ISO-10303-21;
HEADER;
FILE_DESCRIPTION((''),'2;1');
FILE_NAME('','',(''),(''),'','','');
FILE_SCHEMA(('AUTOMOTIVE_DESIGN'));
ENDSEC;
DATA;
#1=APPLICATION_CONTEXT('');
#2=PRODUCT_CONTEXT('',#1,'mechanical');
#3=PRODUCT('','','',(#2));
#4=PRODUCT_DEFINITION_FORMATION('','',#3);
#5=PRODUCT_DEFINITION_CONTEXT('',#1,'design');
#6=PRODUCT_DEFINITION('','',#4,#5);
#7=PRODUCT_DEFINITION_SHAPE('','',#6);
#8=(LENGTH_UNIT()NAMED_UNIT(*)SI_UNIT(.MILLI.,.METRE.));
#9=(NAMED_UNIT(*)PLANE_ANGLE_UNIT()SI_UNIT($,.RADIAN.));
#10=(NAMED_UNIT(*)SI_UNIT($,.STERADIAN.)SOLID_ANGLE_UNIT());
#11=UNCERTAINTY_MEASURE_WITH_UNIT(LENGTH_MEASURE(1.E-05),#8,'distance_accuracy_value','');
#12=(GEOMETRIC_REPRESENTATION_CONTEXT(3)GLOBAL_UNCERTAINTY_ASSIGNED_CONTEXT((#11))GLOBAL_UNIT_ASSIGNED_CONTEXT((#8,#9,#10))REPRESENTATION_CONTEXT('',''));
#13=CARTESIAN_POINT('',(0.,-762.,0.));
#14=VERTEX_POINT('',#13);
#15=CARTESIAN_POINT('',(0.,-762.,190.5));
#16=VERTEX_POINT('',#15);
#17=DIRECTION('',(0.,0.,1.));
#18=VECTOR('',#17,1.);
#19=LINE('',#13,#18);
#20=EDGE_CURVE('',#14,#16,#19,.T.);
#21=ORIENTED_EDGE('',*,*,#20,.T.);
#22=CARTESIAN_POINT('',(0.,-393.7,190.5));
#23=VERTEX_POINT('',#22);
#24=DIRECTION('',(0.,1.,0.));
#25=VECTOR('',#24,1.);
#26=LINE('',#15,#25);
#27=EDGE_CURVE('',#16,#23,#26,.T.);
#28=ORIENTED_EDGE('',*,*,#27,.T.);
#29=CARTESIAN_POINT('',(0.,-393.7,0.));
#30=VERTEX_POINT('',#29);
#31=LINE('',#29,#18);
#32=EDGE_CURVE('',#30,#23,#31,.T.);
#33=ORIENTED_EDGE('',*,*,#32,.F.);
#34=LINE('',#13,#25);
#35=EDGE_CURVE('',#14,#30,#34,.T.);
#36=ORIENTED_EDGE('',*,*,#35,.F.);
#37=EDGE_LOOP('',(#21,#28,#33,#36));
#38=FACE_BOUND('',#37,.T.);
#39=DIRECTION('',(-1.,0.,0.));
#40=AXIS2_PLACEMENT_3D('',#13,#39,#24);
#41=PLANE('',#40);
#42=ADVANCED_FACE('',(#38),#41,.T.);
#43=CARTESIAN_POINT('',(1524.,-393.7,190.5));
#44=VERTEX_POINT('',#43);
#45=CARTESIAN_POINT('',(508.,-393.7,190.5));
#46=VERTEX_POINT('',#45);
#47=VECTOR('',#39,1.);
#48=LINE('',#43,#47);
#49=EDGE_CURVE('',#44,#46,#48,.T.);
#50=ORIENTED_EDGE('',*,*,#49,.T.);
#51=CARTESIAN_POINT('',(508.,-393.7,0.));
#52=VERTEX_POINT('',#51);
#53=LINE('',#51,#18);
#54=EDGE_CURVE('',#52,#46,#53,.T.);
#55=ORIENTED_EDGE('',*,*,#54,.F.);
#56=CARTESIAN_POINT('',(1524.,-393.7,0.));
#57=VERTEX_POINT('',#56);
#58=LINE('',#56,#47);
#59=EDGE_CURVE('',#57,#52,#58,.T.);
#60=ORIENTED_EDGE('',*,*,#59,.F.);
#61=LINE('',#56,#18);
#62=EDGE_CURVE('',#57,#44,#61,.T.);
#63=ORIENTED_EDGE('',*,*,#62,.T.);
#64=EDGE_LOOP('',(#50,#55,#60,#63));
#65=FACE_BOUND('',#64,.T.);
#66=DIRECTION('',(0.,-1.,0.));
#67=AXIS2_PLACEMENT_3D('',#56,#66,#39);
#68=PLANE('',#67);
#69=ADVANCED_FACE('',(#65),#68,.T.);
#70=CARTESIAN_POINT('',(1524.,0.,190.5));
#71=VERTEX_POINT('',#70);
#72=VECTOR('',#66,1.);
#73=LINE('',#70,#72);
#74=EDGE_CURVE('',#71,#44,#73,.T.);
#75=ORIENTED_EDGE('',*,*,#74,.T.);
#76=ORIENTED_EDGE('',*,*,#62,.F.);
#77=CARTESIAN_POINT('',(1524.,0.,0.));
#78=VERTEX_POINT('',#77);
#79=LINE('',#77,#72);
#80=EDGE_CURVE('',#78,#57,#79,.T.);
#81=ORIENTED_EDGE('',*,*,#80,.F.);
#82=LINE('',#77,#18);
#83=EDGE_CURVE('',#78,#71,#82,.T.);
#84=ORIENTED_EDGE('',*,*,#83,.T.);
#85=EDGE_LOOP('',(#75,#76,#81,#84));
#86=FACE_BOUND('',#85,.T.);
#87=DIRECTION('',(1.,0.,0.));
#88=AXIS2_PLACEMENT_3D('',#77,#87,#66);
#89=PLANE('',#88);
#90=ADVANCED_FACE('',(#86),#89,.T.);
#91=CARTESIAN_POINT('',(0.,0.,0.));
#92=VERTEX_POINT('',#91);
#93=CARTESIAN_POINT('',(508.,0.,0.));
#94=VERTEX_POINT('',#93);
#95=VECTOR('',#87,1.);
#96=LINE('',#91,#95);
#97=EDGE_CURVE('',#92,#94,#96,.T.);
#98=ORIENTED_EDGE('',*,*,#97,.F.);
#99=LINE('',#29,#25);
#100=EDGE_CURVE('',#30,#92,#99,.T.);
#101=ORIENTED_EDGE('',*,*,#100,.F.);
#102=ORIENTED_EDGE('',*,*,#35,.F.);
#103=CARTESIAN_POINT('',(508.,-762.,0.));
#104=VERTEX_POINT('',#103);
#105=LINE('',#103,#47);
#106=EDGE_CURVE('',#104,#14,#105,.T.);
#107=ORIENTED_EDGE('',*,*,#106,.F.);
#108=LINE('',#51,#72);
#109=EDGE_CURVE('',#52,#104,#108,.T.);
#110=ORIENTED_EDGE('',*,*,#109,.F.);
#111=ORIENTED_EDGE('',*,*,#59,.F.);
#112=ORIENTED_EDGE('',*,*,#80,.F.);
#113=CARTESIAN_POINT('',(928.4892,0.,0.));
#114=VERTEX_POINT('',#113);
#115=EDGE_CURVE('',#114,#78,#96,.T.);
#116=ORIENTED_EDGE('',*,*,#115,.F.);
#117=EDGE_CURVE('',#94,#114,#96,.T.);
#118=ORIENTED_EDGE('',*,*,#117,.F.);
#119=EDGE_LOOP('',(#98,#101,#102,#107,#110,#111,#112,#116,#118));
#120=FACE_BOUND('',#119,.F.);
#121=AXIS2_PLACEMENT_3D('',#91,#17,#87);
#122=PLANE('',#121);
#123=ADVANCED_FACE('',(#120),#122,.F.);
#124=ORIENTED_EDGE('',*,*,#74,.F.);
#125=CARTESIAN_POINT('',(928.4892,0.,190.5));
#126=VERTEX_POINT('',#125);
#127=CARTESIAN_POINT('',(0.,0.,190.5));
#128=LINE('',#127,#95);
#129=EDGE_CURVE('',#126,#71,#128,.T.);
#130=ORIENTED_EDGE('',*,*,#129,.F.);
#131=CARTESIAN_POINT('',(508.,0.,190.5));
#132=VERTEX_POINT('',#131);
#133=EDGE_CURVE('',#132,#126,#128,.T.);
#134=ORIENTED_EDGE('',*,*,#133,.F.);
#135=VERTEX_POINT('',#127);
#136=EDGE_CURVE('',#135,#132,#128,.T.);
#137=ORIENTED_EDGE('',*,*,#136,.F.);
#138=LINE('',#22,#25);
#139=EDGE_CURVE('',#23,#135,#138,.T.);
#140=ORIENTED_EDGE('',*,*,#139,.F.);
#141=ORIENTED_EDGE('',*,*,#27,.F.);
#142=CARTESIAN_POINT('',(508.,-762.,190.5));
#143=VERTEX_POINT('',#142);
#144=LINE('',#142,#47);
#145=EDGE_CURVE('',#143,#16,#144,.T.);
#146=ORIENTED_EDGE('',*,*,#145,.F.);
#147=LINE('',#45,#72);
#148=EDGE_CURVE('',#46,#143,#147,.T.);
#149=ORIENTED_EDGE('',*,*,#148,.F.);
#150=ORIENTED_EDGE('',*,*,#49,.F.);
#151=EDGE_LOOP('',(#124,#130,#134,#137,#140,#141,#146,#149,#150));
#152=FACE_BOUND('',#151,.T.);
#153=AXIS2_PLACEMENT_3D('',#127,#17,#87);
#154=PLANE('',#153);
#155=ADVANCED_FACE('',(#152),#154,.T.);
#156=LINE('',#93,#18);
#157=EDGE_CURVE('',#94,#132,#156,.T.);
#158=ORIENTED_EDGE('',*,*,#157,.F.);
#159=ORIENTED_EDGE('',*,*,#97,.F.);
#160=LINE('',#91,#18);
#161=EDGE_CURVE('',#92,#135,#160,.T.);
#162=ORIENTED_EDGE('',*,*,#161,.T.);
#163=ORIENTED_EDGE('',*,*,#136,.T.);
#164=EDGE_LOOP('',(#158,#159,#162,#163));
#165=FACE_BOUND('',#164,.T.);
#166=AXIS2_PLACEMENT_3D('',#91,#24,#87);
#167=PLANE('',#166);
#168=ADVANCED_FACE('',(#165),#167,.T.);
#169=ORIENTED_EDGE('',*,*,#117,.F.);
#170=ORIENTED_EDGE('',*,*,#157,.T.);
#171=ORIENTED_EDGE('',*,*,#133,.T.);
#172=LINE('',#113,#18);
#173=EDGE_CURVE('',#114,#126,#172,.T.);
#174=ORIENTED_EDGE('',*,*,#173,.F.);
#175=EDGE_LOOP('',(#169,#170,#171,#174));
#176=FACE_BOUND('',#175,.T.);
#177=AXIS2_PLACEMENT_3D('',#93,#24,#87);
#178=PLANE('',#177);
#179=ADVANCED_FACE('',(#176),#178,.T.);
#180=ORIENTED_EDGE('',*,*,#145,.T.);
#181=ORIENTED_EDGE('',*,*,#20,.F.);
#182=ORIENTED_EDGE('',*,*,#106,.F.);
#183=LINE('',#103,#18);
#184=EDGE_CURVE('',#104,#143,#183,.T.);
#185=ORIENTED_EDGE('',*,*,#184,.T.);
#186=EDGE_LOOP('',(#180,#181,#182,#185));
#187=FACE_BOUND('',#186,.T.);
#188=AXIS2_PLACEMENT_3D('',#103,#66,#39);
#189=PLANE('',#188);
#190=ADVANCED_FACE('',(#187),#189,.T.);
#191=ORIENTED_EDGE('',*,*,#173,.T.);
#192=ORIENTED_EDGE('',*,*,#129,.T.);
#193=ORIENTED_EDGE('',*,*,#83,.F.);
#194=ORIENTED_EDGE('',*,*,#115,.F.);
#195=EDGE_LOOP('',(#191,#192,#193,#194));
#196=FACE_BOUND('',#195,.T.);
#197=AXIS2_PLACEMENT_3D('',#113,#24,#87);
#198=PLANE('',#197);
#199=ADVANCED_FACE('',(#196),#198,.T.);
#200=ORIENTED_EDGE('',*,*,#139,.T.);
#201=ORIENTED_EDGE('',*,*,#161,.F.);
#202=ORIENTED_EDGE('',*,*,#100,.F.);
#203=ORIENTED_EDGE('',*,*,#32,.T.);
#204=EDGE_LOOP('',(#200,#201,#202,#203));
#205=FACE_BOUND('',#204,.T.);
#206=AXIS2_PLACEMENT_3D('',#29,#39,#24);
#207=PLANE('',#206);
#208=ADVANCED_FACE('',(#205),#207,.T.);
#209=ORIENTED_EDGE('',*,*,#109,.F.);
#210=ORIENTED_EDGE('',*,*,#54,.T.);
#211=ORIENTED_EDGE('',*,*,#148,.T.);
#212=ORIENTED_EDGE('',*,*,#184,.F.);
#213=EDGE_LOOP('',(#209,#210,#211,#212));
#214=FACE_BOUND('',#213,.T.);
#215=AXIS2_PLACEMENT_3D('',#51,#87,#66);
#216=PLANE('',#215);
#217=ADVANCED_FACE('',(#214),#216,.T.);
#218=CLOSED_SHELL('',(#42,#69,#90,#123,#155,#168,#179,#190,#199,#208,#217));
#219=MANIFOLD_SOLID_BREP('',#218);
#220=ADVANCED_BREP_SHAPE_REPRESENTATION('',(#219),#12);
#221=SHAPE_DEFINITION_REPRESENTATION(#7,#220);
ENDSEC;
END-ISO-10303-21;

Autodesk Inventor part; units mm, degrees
ref_plane "YZ Plane" through (0, 0, 0) normal (1, 0, 0) x (0, 1, 0)
ref_plane "XZ Plane" through (0, 0, 0) normal (0, 1, 0) x (-1, 0, 0)
ref_plane "XY Plane" through (0, 0, 0) normal (0, 0, 1) x (1, 0, 0)
sketch "Sketch1" plane through (0, 0, 0) normal (0, 0, 1) x (1, 0, 0)
  line L0 (0, 0) -> (1524, 0)
  line L1 (1524, 0) -> (1524, -393.7)
  line L2 (1524, -393.7) -> (508, -393.7)
  line L3 (0, -393.7) -> (0, 0)
  line L4 (0, 0) -> (928.4892, 0)
  line L5 (420.4892, -393.7) -> (508, -393.7)
  line L6 (0, -393.7) -> (0, 0)
  line L7 (0, 0) -> (508, 0)
  line L8 (508, -393.7) -> (508, -762)
  line L9 (508, -762) -> (0, -762)
  line L10 (0, -762) -> (0, 0)
  dimension "d0" = 393.7
  dimension "d1" = 1524
  dimension "d2" = 762
  dimension "d3" = 508
extrude "Extrusion1" add sketch "Sketch1" along normal blind 190.5
properties part number "laser-enclosure"
